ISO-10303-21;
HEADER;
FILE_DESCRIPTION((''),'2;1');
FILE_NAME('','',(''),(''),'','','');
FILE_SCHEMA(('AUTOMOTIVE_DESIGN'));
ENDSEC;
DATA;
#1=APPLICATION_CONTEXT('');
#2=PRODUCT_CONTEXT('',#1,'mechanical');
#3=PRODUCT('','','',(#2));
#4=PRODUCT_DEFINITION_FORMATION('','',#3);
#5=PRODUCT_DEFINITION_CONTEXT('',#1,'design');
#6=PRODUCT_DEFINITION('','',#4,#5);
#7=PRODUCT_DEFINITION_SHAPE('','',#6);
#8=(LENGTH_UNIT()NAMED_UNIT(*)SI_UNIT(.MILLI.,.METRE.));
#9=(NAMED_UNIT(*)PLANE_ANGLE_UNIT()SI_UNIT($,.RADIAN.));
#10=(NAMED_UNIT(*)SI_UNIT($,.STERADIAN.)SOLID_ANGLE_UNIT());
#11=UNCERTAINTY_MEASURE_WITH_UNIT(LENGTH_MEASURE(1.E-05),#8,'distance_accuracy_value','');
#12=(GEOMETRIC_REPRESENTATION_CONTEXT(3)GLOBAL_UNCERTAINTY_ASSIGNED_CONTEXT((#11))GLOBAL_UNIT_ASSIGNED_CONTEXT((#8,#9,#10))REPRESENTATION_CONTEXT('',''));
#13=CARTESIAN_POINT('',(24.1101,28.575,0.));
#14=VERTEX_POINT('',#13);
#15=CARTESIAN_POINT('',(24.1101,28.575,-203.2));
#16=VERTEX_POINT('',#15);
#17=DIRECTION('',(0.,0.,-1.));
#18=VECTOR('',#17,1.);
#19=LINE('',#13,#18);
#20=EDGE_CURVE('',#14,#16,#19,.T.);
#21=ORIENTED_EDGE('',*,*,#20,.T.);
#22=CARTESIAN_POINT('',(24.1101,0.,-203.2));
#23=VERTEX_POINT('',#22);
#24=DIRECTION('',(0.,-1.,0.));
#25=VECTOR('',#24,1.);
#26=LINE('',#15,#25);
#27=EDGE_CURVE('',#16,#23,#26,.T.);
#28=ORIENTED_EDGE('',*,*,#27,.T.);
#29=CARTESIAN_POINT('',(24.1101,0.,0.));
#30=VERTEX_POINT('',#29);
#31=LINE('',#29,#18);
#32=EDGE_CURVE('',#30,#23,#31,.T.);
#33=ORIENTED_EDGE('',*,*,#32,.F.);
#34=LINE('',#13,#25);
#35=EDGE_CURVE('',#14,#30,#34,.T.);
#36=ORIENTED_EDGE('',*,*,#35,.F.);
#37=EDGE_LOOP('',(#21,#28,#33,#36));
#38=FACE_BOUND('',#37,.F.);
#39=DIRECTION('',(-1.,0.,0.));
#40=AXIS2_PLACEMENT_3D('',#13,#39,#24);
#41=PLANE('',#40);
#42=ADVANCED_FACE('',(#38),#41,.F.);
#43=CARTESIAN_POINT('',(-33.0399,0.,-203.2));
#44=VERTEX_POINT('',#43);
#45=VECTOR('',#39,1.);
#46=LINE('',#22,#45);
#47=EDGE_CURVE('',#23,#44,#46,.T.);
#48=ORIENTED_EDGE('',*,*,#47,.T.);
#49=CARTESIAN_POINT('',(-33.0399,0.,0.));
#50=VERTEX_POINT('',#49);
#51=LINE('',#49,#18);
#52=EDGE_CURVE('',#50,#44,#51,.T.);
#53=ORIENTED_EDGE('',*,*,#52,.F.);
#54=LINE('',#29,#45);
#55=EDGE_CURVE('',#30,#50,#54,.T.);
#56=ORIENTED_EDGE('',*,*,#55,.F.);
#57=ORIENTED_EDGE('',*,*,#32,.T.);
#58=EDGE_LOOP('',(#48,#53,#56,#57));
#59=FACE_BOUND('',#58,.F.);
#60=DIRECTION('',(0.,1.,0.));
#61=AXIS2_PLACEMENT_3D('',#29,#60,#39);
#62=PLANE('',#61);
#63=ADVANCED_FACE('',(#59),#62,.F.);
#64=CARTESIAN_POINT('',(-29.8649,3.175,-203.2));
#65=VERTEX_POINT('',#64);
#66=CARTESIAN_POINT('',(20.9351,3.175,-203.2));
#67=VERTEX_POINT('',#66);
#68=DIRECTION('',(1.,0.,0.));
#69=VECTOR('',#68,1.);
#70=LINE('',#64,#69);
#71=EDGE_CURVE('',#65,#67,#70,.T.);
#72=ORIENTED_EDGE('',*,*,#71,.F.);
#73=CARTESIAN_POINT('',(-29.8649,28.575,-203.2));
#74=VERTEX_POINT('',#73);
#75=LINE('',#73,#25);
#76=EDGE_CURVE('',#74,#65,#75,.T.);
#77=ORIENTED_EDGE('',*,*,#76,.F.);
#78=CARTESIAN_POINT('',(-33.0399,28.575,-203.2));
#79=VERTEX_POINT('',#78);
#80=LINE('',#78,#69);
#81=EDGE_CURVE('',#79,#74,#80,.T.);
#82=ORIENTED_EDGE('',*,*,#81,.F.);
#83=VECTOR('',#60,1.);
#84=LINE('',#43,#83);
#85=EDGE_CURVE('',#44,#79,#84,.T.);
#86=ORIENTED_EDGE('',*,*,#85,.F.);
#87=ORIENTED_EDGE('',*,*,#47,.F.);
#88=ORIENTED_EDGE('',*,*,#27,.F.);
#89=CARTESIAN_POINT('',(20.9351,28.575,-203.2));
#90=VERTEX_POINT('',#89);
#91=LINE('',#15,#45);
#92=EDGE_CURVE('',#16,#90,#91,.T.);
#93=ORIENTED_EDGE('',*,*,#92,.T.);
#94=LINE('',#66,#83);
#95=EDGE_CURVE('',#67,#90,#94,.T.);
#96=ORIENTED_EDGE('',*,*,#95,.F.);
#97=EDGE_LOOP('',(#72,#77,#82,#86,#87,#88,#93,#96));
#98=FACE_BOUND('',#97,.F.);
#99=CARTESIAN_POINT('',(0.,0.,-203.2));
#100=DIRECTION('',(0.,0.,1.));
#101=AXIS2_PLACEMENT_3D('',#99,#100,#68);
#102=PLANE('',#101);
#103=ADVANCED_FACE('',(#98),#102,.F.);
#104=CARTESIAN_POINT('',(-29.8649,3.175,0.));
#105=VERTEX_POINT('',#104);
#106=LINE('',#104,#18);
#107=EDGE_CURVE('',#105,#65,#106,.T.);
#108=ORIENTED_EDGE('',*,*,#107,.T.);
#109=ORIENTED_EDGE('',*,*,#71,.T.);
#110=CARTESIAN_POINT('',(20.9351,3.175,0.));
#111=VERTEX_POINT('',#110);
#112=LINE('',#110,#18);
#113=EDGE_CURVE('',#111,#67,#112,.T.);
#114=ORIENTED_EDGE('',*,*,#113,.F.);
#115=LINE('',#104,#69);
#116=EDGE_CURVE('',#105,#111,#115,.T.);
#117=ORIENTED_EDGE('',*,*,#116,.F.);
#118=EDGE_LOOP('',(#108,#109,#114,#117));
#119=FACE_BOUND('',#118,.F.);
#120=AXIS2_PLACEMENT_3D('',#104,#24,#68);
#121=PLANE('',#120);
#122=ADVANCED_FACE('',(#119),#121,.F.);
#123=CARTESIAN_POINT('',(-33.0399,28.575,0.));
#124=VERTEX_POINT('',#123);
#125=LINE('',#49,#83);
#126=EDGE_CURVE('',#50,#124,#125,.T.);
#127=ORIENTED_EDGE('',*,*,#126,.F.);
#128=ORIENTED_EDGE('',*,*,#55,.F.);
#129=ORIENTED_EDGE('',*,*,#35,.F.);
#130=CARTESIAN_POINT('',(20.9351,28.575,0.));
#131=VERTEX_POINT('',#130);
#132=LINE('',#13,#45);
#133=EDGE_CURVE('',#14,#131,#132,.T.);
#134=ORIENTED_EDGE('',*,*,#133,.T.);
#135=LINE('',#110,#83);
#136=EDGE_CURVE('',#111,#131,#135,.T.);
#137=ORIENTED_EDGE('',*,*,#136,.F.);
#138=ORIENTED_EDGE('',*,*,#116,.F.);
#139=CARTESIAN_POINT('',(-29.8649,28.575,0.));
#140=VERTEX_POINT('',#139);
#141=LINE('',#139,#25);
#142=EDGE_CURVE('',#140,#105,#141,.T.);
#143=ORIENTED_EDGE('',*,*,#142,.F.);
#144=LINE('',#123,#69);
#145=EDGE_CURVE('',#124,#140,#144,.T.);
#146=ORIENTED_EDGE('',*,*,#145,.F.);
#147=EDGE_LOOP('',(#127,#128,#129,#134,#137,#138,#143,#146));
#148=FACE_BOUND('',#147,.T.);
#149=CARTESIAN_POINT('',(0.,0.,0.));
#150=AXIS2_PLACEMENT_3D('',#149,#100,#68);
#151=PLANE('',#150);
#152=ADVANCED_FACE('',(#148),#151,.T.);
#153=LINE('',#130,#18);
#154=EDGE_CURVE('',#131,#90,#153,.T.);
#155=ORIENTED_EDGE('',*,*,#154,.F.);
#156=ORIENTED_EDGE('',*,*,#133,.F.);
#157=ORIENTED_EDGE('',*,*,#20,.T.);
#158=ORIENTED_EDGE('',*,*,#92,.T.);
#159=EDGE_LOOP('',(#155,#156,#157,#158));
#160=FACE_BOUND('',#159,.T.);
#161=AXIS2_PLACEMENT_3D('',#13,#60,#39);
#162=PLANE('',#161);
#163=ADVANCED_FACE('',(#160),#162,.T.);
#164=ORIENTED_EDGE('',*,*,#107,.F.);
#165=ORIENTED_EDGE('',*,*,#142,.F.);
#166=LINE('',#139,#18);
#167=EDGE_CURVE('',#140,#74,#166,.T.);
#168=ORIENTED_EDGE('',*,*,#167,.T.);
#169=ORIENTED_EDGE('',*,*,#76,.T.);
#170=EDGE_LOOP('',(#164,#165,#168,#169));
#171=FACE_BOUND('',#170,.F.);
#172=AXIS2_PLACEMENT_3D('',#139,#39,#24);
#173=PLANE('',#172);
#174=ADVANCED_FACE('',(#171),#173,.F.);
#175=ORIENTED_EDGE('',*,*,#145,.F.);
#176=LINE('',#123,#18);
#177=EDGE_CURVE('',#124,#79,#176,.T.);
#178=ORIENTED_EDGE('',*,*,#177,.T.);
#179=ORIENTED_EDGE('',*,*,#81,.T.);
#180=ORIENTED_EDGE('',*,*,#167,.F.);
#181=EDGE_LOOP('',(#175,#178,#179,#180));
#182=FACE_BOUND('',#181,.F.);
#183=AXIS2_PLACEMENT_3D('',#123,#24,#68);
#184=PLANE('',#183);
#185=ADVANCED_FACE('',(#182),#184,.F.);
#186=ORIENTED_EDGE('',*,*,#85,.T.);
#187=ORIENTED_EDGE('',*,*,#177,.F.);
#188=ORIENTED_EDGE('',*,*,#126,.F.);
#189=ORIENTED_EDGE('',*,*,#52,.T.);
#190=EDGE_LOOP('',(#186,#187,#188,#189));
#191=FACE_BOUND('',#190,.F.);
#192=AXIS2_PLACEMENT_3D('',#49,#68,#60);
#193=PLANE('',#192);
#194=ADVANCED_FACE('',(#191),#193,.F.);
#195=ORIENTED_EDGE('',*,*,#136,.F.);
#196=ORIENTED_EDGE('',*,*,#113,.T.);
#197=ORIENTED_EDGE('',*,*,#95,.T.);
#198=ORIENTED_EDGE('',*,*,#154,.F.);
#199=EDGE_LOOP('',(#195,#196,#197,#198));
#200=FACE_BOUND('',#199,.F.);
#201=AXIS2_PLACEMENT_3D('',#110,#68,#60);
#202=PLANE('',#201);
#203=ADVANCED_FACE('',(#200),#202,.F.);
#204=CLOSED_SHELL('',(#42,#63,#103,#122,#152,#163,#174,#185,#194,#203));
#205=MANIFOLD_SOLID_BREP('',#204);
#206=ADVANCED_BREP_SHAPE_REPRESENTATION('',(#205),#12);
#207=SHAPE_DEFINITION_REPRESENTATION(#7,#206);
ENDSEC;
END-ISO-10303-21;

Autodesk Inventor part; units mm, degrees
ref_plane "YZ Plane" through (0, 0, 0) normal (1, 0, 0) x (0, 1, 0)
ref_plane "XZ Plane" through (0, 0, 0) normal (0, 1, 0) x (-1, 0, 0)
ref_plane "XY Plane" through (0, 0, 0) normal (0, 0, 1) x (1, 0, 0)
sketch "Sketch1" plane through (0, 0, 0) normal (0, 0, 1) x (1, 0, 0)
  line L0 (24.1101, 28.575) -> (24.1101, 0)
  line L1 (24.1101, 0) -> (-33.0399, 0)
  line L2 (-33.0399, 0) -> (-33.0399, 28.575)
  line L3 (-29.8649, 28.575) -> (-29.8649, 3.175)
  line L4 (-29.8649, 3.175) -> (20.9351, 3.175)
  line L5 (20.9351, 3.175) -> (20.9351, 28.575)
  line L6 (-33.0399, 28.575) -> (-29.8649, 28.575)
  line L7 (24.1101, 28.575) -> (20.9351, 28.575)
  point P0 (0, 0)
  dimension "d0" = 57.15
  dimension "d1" = 28.575
  dimension "d2" = 3.175
  dimension "d13" = 28.575
extrude "Extrusion1" add sketch "Sketch1" against normal blind 203.2
properties part number "angle channel"
